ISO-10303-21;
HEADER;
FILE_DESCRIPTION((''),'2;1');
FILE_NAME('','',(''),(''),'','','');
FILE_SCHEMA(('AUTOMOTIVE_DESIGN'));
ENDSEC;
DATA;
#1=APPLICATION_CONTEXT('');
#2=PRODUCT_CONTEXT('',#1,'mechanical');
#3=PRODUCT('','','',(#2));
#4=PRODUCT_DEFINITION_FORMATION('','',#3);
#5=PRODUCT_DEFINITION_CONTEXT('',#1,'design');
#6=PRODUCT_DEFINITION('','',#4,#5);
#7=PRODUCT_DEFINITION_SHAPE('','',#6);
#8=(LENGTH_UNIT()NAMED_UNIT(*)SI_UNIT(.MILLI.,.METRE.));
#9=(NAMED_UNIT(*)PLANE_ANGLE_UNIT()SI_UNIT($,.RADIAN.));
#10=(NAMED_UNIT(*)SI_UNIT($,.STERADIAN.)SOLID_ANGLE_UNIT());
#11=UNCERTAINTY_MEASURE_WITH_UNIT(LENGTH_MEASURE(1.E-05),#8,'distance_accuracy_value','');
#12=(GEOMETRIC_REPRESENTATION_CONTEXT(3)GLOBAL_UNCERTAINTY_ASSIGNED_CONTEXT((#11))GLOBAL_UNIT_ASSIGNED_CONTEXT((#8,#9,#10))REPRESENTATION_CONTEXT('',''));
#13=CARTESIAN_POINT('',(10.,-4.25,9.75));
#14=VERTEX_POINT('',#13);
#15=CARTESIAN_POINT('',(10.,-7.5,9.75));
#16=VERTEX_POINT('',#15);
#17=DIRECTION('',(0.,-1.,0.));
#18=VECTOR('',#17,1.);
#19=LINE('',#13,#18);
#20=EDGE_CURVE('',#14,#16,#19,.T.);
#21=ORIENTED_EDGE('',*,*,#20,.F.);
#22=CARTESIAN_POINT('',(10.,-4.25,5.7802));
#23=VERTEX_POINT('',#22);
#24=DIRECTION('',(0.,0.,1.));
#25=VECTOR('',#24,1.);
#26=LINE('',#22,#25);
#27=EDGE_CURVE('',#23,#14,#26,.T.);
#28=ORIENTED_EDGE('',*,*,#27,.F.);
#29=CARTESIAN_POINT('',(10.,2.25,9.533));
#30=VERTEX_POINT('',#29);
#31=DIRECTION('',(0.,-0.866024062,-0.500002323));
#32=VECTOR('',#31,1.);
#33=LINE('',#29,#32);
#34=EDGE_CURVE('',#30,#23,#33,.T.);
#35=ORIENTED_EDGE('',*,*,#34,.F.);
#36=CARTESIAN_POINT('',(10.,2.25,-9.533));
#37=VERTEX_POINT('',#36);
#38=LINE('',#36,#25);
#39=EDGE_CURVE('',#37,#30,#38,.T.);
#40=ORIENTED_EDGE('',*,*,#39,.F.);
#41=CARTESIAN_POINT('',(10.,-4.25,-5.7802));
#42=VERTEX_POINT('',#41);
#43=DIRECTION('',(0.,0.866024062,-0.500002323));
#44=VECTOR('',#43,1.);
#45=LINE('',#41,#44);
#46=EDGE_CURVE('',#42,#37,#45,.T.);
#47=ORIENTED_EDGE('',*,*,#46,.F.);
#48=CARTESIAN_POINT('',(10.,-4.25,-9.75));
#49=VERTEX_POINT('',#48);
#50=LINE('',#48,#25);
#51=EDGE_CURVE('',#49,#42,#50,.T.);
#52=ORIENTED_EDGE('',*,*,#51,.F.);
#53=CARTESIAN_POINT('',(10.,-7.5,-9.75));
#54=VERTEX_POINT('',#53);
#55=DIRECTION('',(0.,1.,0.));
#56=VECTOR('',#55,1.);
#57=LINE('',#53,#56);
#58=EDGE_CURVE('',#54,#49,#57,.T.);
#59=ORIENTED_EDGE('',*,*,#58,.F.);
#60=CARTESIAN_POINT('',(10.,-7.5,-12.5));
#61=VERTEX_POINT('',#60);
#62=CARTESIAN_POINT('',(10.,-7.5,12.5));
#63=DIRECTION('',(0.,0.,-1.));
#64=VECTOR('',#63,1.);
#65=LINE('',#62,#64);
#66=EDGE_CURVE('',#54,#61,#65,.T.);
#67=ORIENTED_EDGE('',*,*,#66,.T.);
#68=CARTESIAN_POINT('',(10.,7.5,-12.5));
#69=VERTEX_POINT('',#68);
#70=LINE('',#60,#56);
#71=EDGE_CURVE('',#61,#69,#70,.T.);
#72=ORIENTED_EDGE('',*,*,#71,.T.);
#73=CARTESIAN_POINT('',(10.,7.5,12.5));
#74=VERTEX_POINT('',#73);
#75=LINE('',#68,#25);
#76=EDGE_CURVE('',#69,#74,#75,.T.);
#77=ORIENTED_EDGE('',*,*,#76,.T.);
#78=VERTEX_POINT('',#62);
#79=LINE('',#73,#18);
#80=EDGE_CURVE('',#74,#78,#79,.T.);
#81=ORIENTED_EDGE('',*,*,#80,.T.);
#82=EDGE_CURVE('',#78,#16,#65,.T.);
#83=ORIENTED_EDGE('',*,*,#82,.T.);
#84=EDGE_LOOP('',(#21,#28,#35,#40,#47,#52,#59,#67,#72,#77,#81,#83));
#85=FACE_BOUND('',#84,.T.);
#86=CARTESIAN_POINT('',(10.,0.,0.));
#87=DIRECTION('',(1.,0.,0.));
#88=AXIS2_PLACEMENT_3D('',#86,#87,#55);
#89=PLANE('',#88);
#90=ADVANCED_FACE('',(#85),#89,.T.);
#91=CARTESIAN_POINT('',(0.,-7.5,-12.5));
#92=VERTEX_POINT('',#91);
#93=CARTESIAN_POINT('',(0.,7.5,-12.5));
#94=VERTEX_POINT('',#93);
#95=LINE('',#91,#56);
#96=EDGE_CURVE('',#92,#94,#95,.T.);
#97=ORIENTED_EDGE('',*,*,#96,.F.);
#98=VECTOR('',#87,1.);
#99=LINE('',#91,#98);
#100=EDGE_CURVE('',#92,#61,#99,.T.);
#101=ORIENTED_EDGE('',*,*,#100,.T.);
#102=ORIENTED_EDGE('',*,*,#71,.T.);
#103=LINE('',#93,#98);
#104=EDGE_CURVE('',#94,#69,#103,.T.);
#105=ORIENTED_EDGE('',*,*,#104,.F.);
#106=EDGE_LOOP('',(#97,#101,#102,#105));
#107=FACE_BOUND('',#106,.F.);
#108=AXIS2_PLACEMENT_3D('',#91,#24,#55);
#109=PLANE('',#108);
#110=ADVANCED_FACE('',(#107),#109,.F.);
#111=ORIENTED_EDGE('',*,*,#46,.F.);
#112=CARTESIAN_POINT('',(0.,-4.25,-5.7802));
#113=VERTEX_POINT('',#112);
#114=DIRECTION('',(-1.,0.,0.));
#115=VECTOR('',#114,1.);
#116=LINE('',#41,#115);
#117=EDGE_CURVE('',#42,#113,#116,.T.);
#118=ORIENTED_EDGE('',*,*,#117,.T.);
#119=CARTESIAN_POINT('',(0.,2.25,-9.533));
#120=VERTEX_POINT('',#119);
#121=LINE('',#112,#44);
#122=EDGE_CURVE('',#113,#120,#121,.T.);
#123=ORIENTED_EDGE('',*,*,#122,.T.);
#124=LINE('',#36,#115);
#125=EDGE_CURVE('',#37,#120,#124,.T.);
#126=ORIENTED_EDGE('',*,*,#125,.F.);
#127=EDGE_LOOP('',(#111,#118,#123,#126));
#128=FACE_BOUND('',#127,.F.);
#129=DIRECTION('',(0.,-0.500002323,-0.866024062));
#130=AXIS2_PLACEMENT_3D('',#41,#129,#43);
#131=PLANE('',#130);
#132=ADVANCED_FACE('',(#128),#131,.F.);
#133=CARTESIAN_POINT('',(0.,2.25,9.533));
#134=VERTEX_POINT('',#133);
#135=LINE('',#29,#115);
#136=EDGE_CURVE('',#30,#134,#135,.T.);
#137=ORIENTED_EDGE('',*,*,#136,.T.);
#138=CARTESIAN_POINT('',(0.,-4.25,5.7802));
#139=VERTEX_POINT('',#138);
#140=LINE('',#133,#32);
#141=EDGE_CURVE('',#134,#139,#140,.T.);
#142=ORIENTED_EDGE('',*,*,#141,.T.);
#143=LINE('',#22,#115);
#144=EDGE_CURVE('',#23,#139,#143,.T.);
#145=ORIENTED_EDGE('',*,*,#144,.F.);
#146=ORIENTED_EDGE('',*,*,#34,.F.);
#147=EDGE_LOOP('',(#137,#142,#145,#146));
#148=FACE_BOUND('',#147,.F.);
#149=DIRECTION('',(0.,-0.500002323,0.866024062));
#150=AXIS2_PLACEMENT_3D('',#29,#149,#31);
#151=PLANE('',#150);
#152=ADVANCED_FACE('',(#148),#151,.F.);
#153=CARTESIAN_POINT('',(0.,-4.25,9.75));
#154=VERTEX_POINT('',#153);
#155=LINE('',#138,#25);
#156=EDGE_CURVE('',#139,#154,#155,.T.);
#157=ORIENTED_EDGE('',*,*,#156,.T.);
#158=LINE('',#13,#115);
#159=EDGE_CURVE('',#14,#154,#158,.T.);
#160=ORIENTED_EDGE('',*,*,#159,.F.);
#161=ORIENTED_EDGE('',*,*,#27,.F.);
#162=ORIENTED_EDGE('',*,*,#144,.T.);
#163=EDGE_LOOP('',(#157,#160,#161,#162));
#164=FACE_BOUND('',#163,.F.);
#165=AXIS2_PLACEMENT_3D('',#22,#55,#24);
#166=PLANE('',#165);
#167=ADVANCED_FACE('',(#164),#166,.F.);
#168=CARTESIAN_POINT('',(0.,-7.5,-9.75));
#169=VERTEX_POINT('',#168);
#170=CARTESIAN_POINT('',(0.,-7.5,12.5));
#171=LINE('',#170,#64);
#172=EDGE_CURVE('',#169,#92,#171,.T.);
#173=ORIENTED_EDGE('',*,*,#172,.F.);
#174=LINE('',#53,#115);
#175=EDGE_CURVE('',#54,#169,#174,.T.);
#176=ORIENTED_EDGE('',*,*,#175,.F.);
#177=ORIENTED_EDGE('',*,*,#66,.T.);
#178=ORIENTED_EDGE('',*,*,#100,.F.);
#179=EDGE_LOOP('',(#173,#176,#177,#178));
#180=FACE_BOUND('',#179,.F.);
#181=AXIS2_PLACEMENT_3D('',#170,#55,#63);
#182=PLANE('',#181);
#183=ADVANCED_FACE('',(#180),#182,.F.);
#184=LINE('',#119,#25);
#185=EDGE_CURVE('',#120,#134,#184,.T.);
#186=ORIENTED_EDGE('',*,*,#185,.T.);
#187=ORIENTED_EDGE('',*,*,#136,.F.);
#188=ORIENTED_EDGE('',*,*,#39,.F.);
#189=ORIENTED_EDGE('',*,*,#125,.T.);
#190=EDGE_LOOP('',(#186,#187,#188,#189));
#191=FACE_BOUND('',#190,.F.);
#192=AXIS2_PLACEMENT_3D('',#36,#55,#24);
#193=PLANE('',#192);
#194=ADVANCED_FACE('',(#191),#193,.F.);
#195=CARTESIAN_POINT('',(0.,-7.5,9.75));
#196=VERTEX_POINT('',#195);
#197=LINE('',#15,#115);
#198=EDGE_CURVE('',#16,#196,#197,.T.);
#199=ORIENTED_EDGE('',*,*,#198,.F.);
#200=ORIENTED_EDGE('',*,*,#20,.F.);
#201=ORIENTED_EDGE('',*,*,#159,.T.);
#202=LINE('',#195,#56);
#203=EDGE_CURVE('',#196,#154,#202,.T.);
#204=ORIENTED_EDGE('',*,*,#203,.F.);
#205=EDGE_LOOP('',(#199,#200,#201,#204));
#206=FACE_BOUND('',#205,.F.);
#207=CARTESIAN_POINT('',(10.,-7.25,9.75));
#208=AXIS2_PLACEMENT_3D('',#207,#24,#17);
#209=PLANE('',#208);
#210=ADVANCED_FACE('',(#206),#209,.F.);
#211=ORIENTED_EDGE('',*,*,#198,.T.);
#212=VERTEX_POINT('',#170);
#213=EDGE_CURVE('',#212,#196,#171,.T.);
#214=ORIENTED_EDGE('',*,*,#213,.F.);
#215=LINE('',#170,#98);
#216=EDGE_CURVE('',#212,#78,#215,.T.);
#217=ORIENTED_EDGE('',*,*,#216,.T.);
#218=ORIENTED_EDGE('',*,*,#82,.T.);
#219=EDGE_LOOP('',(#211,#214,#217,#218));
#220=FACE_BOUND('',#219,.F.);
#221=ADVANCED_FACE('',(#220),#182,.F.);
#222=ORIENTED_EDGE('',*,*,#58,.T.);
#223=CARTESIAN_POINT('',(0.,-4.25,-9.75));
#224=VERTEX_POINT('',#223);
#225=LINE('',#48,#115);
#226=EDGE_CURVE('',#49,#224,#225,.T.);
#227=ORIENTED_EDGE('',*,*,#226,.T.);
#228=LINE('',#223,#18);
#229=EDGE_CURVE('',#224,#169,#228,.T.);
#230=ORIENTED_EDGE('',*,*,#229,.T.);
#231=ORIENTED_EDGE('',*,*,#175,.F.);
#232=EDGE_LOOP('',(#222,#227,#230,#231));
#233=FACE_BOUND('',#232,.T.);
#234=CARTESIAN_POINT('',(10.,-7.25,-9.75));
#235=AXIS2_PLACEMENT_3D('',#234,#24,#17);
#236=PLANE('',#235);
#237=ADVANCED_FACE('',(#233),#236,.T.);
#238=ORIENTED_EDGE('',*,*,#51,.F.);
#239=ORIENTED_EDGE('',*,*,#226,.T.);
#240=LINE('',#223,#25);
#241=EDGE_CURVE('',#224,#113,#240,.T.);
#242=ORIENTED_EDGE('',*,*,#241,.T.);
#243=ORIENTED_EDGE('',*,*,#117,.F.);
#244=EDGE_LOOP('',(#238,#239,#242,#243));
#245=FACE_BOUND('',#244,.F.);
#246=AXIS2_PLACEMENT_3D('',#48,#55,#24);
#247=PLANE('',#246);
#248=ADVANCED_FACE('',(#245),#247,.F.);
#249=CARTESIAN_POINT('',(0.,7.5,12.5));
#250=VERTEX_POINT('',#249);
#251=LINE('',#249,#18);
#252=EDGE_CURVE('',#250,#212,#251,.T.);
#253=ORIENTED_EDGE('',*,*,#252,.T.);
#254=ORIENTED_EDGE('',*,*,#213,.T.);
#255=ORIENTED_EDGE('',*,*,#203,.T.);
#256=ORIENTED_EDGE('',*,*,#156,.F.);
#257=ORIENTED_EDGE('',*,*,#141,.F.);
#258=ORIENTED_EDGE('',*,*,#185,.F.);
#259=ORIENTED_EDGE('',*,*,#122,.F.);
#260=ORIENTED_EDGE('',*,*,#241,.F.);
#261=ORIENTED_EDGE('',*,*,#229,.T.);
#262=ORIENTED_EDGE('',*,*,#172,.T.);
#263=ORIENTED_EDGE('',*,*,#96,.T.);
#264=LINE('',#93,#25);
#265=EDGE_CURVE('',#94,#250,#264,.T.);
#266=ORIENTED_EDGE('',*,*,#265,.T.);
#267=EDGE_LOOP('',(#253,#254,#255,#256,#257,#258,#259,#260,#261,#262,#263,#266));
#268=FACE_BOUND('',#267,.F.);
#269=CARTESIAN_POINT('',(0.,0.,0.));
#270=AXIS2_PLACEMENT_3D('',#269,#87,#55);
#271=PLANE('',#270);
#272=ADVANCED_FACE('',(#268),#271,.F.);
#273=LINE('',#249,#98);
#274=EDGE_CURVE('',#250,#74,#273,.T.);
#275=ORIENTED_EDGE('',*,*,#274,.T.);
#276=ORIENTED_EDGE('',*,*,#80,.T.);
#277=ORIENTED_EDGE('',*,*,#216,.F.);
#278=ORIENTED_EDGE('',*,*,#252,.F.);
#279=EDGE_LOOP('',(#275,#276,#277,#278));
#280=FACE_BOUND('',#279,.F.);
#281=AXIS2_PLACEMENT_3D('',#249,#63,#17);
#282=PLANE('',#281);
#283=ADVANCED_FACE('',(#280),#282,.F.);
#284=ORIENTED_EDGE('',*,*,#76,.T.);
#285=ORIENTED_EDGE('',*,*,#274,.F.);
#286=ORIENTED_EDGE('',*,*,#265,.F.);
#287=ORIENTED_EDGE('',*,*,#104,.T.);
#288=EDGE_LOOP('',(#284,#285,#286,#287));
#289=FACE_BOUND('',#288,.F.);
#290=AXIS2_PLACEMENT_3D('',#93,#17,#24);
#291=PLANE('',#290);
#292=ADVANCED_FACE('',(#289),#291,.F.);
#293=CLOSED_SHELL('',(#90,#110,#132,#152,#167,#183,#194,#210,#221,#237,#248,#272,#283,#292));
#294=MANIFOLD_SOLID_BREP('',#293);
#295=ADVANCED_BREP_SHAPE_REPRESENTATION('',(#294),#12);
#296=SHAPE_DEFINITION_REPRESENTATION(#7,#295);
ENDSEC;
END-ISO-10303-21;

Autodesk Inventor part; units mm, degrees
ref_plane "YZ Plane" through (0, 0, 0) normal (1, 0, 0) x (0, 1, 0)
ref_plane "XZ Plane" through (0, 0, 0) normal (0, 1, 0) x (-1, 0, 0)
ref_plane "XY Plane" through (0, 0, 0) normal (0, 0, 1) x (1, 0, 0)
sketch "Sketch1" plane through (0, 0, 0) normal (1, 0, 0) x (0, 1, 0)
  line L0 (-7.5, -12.5) -> (7.5, -12.5)
  line L1 (7.5, -12.5) -> (7.5, 12.5)
  line L2 (7.5, 12.5) -> (-7.5, 12.5)
  line L3 (-7.5, 12.5) -> (-7.5, -12.5)
  line L4 (-7.5, -12.5) -> (7.5, 12.5) construction
  line L5 (7.5, -12.5) -> (-7.5, 12.5) construction
  point P0 (0, 0)
  dimension "d0" = 25
  dimension "d1" = 15
extrude "Extrusion1" add sketch "Sketch1" along normal blind 10
sketch "Sketch2" plane through (10, 0, 0) normal (1, 0, 0) x (0, 0, -1)
  line L0 (9.5, -4.5) -> (5.3472, -4.5) projected
  line L1 (9.5, -7.5) -> (9.5, -4.5) projected
  line L2 (9.5, -7.5) -> (22, -7.5) projected
  line L3 (22, 12.5) -> (22, -7.5) projected
  line L4 (-35, 12.5) -> (22, 12.5) projected
  line L5 (-35, 12.5) -> (-35, 59.5) projected
  line L6 (-45, 59.5) -> (-35, 59.5) projected
  line L7 (-45, 59.5) -> (-45, -7.5) projected
  line L8 (-45, -7.5) -> (-9.5, -7.5) projected
  line L9 (-9.5, -4.5) -> (-9.5, -7.5) projected
  line L10 (-5.3472, -4.5) -> (-9.5, -4.5) projected
  line L11 (-9.1, 2) -> (-5.3472, -4.5) projected
  line L12 (9.1, 2) -> (-9.1, 2) projected
  line L13 (5.3472, -4.5) -> (9.1, 2) projected
  line L14 (-9.5, -7.5) -> (9.5, -7.5)
  line L15 (-9.75, -7.25) -> (-44.75, -7.25)
  line L16 (-44.75, -7.25) -> (-44.75, 59.25)
  line L17 (-44.75, 59.25) -> (-35.25, 59.25)
  line L18 (-35.25, 59.25) -> (-35.25, 12.25)
  line L19 (-35.25, 12.25) -> (21.75, 12.25)
  line L20 (21.75, 12.25) -> (21.75, -7.25)
  line L21 (21.75, -7.25) -> (9.75, -7.25)
  line L22 (9.75, -7.25) -> (9.75, -4.25)
  line L23 (9.75, -4.25) -> (5.7802, -4.25)
  line L24 (5.7802, -4.25) -> (9.533, 2.25)
  line L25 (9.533, 2.25) -> (-9.533, 2.25)
  line L26 (-9.533, 2.25) -> (-5.7802, -4.25)
  line L27 (-5.7802, -4.25) -> (-9.75, -4.25)
  line L28 (-9.75, -4.25) -> (-9.75, -7.25)
  line L29 (-9.75, -7.25) -> (-9.75, -7.5)
  line L30 (-12.5, -7.5) -> (12.5, -7.5) projected
  line L31 (9.75, -7.25) -> (9.75, -7.5)
  line L32 (-12.5, -7.5) -> (12.5, -7.5) projected
  point P0 (0, 0)
  dimension "d4" = 0.25
extrude "Extrusion2" cut sketch "Sketch2" against normal blind 10 contours L1 L14 L9 L10 L11 L12 L13 L0 | L0 L13 L12 L11 L10 L9 L8 L29 L28 L27 L26 L25 L24 L23 L22 L31 L2 L1
properties part number "tester"
